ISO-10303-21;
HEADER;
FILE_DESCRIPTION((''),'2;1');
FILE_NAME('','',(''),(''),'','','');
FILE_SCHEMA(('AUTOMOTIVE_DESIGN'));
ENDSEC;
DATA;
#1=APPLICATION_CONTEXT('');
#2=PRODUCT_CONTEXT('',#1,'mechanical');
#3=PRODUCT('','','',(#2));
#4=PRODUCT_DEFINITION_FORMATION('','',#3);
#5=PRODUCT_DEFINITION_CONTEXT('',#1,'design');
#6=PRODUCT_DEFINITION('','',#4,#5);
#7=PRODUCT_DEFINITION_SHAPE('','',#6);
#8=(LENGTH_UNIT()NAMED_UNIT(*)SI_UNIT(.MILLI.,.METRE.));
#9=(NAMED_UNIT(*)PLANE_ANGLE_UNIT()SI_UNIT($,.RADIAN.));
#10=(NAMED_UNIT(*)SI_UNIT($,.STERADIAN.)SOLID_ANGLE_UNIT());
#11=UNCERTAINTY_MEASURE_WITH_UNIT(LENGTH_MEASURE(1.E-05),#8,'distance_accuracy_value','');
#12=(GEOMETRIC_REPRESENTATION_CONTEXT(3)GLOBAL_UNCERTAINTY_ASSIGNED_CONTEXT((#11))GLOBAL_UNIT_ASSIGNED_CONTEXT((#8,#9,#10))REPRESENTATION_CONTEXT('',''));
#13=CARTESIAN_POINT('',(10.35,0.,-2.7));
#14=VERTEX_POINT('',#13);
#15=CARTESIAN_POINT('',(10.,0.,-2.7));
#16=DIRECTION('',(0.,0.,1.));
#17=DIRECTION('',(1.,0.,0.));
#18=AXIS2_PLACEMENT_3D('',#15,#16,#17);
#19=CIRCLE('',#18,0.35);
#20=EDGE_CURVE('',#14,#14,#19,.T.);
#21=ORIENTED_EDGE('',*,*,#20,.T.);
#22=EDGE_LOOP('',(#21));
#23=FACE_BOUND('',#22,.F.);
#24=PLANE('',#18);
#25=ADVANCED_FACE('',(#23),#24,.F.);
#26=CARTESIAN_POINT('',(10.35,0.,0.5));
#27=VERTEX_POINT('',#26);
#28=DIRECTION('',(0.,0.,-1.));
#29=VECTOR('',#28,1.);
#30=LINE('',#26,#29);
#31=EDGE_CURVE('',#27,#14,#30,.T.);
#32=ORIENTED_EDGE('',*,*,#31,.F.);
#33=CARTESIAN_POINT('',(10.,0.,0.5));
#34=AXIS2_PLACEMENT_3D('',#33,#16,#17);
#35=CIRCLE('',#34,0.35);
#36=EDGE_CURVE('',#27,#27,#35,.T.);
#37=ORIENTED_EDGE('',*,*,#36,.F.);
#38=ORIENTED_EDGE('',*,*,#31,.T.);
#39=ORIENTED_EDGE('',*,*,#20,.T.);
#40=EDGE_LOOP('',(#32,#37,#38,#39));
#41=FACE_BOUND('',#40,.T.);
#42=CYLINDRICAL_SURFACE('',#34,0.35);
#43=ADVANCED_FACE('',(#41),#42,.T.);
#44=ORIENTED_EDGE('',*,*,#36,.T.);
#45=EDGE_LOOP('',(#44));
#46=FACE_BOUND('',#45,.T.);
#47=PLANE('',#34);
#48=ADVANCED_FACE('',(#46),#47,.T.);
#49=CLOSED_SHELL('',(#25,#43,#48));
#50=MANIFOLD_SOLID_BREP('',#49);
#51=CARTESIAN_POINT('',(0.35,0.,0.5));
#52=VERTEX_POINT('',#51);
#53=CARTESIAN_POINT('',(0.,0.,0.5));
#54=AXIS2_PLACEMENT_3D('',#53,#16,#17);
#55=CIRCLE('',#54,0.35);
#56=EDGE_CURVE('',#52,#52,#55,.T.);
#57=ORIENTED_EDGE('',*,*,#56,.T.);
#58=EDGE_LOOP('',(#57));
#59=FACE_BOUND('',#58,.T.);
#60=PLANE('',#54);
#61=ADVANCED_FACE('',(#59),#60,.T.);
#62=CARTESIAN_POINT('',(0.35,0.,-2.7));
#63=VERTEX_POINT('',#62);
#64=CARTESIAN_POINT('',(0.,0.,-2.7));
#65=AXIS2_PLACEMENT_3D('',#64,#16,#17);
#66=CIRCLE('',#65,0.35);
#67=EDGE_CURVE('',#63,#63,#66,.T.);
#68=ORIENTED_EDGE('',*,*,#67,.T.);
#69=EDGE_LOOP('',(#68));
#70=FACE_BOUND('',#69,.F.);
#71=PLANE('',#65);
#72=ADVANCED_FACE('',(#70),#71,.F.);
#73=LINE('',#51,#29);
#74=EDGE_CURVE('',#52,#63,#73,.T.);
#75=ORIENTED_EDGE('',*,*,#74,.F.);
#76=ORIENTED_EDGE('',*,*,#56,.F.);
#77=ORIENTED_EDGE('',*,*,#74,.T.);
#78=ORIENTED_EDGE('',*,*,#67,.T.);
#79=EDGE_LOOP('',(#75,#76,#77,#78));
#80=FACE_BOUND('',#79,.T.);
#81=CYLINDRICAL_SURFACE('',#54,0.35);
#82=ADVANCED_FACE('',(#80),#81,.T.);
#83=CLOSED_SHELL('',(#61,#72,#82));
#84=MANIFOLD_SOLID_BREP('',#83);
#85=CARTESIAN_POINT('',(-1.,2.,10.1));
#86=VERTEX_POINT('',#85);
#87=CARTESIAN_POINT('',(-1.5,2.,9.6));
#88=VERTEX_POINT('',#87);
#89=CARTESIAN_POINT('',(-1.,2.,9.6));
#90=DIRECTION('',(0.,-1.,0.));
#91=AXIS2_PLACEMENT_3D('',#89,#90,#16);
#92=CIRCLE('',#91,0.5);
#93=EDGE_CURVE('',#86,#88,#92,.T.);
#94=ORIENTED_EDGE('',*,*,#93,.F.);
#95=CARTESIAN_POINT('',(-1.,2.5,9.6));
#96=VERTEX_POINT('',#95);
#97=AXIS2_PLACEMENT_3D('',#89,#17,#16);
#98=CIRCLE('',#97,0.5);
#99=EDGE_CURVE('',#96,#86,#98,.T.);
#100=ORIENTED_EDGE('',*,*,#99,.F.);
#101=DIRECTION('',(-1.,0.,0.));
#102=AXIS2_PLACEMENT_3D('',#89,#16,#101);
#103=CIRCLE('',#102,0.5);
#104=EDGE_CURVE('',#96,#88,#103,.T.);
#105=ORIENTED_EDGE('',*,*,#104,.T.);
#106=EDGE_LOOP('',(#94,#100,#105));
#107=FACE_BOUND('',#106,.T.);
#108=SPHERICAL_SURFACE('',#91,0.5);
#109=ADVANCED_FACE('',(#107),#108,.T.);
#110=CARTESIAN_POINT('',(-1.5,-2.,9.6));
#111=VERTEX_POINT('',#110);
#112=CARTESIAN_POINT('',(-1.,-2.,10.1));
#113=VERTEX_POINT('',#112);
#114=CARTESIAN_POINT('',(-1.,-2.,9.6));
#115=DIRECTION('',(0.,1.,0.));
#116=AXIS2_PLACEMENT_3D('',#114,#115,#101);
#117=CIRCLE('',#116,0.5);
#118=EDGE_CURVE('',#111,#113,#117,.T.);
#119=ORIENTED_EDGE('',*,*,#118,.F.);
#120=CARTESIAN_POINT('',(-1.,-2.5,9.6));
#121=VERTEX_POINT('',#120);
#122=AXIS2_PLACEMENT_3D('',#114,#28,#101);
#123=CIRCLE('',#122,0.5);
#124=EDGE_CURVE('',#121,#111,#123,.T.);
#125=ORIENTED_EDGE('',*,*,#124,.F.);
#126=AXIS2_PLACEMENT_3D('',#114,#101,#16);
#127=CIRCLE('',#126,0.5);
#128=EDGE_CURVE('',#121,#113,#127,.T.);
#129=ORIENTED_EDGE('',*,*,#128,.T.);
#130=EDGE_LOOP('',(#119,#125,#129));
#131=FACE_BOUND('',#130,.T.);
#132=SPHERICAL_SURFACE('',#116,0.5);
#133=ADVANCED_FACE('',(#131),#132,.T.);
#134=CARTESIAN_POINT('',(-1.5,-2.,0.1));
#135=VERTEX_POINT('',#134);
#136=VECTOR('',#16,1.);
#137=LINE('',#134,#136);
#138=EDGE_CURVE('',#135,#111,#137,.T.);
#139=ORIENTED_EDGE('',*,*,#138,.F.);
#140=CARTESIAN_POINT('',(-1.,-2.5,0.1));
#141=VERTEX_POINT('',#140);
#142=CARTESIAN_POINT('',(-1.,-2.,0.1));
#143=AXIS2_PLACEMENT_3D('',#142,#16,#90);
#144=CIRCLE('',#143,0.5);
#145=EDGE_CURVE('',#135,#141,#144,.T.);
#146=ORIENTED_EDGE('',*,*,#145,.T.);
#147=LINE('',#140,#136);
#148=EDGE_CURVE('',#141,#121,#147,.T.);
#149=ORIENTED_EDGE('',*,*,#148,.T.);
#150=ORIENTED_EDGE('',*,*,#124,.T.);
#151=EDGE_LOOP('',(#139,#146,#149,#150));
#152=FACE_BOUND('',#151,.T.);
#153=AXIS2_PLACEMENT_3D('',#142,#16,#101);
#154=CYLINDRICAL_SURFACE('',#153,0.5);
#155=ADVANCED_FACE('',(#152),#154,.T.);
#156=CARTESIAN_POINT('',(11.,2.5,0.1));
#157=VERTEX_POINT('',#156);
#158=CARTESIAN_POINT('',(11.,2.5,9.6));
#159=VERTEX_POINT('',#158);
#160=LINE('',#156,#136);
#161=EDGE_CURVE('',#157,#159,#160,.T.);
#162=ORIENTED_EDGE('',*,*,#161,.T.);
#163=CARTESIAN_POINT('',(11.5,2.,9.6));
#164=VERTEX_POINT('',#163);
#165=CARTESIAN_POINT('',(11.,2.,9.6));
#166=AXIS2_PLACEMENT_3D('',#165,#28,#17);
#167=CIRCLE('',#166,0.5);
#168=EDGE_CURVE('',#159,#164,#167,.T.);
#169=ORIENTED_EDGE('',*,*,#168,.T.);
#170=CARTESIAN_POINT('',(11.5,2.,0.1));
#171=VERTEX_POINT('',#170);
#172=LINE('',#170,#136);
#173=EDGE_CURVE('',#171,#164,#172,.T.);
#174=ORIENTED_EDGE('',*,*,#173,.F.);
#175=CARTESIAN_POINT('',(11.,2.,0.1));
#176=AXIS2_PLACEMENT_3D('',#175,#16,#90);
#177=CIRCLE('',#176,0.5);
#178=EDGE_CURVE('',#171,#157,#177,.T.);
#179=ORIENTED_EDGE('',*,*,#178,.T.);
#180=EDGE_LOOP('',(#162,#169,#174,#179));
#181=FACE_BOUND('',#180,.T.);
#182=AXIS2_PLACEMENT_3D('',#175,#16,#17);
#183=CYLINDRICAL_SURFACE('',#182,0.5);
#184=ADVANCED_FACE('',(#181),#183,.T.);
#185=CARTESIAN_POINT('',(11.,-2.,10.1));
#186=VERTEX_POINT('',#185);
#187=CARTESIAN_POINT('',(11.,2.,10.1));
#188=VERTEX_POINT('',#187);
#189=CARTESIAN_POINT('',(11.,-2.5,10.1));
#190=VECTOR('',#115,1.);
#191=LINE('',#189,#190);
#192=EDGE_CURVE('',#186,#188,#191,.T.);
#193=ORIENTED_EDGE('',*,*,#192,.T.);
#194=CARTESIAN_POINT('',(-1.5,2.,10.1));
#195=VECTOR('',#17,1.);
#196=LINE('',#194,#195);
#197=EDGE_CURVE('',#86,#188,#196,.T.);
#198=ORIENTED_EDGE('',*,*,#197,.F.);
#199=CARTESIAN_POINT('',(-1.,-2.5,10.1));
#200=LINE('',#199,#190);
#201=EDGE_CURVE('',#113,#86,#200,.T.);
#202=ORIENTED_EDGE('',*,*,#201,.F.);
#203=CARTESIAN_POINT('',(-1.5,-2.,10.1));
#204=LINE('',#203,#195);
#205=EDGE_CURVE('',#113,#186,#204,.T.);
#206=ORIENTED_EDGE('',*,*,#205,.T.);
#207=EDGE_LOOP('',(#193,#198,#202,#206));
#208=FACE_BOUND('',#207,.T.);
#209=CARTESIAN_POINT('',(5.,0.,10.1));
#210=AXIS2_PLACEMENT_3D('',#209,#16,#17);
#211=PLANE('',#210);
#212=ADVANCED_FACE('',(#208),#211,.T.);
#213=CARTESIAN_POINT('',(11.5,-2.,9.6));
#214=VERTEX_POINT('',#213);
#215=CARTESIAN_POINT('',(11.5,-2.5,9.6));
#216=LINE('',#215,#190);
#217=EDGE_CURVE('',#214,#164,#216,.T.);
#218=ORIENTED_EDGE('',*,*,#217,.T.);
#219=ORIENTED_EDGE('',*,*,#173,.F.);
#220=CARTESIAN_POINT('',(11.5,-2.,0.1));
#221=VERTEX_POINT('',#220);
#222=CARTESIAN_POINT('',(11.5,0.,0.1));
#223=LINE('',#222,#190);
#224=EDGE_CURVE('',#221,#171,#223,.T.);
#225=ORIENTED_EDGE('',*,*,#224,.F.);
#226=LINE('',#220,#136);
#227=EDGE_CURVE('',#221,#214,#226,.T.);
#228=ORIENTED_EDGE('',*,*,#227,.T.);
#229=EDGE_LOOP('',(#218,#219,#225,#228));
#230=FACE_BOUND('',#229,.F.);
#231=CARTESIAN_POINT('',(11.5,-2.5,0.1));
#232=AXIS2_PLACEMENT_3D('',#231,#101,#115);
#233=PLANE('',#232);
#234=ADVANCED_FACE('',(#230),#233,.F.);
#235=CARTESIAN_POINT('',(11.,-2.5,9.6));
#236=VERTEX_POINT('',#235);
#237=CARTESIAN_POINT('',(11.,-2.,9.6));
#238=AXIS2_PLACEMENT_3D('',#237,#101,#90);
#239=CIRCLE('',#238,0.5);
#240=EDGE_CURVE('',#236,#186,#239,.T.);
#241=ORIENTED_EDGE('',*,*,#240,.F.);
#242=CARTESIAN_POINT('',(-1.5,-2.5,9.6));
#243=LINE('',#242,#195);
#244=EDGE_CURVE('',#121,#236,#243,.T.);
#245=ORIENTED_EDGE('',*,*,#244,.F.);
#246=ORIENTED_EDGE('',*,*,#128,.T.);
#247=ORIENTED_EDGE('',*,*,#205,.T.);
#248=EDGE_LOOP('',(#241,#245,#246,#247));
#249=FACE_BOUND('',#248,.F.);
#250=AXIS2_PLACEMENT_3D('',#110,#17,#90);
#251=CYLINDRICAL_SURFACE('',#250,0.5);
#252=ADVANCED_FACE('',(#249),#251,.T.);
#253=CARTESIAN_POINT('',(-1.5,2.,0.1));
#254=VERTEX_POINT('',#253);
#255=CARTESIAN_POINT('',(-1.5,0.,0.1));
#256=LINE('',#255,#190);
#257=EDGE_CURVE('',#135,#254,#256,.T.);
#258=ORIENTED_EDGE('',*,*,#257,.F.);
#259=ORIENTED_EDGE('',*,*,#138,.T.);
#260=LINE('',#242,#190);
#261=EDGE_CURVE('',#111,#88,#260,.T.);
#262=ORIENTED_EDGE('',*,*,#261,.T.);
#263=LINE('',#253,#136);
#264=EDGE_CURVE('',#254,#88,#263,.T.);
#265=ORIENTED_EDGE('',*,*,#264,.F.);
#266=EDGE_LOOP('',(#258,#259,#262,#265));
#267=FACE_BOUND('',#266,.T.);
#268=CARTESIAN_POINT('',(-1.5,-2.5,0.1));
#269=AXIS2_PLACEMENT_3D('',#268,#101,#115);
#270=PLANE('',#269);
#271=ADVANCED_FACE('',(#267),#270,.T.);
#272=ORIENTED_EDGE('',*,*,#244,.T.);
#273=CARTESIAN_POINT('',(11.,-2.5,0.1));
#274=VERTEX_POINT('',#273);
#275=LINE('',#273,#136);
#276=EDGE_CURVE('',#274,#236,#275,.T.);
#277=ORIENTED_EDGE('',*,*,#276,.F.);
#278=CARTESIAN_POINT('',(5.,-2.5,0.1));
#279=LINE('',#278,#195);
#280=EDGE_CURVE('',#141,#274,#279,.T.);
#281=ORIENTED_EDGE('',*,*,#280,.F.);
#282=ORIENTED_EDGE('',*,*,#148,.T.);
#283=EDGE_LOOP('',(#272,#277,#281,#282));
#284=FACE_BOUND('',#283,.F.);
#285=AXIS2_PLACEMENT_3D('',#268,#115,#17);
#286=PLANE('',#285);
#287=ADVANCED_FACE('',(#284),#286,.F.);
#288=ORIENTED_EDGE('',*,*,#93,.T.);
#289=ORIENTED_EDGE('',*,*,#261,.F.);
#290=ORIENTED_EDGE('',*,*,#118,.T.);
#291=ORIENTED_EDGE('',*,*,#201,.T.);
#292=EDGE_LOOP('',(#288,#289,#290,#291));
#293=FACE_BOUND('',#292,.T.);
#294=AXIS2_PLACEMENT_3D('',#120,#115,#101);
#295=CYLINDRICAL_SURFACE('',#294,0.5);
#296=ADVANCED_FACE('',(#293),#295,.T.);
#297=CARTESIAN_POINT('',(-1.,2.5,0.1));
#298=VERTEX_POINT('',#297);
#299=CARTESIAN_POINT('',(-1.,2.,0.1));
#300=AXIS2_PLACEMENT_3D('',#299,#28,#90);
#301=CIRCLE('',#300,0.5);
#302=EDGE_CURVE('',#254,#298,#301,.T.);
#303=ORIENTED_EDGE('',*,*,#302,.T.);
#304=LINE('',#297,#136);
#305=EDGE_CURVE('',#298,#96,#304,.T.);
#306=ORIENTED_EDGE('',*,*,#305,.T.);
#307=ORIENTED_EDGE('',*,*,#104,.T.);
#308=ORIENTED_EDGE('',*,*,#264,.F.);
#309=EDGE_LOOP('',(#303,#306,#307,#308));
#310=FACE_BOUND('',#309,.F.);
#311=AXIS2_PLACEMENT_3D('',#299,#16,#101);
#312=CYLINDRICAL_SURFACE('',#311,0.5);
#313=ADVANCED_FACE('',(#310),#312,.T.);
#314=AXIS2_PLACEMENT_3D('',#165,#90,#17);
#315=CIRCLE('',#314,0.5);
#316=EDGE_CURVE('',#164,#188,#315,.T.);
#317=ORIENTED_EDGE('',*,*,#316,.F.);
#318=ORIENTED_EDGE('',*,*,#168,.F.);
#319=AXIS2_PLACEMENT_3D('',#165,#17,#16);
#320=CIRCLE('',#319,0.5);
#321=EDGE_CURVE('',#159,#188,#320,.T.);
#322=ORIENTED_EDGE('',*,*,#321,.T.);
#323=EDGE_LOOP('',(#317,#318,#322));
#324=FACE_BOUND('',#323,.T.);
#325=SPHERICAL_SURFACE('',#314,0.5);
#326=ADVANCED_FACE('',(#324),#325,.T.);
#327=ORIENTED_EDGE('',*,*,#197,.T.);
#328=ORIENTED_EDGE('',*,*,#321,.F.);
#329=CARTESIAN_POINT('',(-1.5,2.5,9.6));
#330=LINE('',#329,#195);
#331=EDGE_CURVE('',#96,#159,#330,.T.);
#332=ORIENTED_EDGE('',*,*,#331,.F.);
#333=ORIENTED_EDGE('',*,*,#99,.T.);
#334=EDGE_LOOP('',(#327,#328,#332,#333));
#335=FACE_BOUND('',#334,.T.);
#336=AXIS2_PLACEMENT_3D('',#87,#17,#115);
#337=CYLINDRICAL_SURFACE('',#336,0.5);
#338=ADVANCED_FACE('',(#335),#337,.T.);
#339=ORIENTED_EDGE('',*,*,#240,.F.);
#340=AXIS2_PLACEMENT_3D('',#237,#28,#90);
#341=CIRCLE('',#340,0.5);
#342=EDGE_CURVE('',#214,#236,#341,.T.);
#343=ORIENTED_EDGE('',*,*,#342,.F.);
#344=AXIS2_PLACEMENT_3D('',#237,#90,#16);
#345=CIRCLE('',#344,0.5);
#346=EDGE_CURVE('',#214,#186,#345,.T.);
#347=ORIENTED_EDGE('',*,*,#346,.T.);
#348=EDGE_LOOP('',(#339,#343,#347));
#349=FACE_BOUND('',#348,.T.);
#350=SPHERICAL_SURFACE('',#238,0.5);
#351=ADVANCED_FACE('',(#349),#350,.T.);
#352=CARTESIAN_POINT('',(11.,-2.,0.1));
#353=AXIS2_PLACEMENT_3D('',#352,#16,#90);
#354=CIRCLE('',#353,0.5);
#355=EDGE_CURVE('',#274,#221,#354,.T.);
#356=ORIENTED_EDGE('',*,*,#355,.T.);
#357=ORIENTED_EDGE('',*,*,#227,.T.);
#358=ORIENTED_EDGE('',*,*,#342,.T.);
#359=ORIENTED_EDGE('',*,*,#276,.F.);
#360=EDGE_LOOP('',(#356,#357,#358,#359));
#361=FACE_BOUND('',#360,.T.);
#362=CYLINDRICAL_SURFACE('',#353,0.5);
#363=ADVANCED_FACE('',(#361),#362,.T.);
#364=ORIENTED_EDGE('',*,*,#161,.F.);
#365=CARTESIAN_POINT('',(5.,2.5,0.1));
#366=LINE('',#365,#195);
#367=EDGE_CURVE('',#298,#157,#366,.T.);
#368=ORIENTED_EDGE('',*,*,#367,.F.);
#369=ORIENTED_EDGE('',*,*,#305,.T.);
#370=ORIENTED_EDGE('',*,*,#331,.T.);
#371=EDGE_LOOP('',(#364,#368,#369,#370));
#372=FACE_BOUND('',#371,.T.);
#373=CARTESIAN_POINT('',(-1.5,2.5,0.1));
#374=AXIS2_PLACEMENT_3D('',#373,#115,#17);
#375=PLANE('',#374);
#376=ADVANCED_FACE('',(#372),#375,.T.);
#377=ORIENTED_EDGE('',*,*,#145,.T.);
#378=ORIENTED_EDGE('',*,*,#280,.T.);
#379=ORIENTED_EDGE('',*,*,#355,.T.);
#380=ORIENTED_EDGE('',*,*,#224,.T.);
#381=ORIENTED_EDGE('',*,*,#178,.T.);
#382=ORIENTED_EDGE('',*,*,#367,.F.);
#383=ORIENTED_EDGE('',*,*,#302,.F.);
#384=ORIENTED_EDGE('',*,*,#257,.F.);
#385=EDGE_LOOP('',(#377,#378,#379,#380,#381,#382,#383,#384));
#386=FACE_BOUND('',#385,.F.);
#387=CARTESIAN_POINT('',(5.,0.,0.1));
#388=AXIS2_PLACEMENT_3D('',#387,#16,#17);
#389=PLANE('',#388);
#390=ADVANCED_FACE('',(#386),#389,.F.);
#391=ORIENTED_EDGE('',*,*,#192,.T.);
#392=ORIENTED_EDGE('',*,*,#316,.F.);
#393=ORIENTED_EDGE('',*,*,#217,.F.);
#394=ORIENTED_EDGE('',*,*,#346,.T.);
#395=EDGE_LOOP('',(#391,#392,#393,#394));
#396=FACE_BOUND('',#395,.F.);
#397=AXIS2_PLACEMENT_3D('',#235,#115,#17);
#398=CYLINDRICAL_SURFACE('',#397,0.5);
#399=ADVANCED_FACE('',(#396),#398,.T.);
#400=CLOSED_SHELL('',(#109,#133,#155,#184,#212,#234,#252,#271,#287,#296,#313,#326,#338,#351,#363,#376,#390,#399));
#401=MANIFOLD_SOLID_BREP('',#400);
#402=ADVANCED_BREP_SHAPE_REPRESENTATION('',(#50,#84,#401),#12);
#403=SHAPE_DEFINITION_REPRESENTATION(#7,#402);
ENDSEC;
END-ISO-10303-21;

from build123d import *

# Parameters (mm, degrees)
SKETCH_W     = 13
SKETCH_H     = 5
PAD_DEPTH    = 10
FILLET_R     = 0.5
SKETCH001_R  = 0.35
PAD001_DEPTH = 3.2


with BuildPart() as fillet_body:
    # Sketch → Pad (new body)
    with BuildSketch(Plane.XY.offset(0.1)):
        with Locations((5, 0)):
            Rectangle(SKETCH_W, SKETCH_H)
    extrude(amount=PAD_DEPTH)

    # Fillet
    fillet_edges = [fillet_body.edges().sort_by_distance(p)[0] for p in [
        (-1.5, 0, 10.1),
        (-1.5, -2.5, 5.1),
        (5, -2.5, 10.1),
        (11.5, -2.5, 5.1),
        (11.5, 0, 10.1),
        (11.5, 2.5, 5.1),
        (5, 2.5, 10.1),
        (-1.5, 2.5, 5.1),
    ]]
    fillet(fillet_edges, radius=FILLET_R)


with BuildPart() as pad001:
    # Sketch001 → Pad001 (new body)
    with BuildSketch(Plane.XY.offset(0.5)):
        Circle(SKETCH001_R)
        with Locations((10, 0)):
            Circle(SKETCH001_R)
    extrude(amount=-PAD001_DEPTH)


solid = Compound([fillet_body.part, pad001.part])
